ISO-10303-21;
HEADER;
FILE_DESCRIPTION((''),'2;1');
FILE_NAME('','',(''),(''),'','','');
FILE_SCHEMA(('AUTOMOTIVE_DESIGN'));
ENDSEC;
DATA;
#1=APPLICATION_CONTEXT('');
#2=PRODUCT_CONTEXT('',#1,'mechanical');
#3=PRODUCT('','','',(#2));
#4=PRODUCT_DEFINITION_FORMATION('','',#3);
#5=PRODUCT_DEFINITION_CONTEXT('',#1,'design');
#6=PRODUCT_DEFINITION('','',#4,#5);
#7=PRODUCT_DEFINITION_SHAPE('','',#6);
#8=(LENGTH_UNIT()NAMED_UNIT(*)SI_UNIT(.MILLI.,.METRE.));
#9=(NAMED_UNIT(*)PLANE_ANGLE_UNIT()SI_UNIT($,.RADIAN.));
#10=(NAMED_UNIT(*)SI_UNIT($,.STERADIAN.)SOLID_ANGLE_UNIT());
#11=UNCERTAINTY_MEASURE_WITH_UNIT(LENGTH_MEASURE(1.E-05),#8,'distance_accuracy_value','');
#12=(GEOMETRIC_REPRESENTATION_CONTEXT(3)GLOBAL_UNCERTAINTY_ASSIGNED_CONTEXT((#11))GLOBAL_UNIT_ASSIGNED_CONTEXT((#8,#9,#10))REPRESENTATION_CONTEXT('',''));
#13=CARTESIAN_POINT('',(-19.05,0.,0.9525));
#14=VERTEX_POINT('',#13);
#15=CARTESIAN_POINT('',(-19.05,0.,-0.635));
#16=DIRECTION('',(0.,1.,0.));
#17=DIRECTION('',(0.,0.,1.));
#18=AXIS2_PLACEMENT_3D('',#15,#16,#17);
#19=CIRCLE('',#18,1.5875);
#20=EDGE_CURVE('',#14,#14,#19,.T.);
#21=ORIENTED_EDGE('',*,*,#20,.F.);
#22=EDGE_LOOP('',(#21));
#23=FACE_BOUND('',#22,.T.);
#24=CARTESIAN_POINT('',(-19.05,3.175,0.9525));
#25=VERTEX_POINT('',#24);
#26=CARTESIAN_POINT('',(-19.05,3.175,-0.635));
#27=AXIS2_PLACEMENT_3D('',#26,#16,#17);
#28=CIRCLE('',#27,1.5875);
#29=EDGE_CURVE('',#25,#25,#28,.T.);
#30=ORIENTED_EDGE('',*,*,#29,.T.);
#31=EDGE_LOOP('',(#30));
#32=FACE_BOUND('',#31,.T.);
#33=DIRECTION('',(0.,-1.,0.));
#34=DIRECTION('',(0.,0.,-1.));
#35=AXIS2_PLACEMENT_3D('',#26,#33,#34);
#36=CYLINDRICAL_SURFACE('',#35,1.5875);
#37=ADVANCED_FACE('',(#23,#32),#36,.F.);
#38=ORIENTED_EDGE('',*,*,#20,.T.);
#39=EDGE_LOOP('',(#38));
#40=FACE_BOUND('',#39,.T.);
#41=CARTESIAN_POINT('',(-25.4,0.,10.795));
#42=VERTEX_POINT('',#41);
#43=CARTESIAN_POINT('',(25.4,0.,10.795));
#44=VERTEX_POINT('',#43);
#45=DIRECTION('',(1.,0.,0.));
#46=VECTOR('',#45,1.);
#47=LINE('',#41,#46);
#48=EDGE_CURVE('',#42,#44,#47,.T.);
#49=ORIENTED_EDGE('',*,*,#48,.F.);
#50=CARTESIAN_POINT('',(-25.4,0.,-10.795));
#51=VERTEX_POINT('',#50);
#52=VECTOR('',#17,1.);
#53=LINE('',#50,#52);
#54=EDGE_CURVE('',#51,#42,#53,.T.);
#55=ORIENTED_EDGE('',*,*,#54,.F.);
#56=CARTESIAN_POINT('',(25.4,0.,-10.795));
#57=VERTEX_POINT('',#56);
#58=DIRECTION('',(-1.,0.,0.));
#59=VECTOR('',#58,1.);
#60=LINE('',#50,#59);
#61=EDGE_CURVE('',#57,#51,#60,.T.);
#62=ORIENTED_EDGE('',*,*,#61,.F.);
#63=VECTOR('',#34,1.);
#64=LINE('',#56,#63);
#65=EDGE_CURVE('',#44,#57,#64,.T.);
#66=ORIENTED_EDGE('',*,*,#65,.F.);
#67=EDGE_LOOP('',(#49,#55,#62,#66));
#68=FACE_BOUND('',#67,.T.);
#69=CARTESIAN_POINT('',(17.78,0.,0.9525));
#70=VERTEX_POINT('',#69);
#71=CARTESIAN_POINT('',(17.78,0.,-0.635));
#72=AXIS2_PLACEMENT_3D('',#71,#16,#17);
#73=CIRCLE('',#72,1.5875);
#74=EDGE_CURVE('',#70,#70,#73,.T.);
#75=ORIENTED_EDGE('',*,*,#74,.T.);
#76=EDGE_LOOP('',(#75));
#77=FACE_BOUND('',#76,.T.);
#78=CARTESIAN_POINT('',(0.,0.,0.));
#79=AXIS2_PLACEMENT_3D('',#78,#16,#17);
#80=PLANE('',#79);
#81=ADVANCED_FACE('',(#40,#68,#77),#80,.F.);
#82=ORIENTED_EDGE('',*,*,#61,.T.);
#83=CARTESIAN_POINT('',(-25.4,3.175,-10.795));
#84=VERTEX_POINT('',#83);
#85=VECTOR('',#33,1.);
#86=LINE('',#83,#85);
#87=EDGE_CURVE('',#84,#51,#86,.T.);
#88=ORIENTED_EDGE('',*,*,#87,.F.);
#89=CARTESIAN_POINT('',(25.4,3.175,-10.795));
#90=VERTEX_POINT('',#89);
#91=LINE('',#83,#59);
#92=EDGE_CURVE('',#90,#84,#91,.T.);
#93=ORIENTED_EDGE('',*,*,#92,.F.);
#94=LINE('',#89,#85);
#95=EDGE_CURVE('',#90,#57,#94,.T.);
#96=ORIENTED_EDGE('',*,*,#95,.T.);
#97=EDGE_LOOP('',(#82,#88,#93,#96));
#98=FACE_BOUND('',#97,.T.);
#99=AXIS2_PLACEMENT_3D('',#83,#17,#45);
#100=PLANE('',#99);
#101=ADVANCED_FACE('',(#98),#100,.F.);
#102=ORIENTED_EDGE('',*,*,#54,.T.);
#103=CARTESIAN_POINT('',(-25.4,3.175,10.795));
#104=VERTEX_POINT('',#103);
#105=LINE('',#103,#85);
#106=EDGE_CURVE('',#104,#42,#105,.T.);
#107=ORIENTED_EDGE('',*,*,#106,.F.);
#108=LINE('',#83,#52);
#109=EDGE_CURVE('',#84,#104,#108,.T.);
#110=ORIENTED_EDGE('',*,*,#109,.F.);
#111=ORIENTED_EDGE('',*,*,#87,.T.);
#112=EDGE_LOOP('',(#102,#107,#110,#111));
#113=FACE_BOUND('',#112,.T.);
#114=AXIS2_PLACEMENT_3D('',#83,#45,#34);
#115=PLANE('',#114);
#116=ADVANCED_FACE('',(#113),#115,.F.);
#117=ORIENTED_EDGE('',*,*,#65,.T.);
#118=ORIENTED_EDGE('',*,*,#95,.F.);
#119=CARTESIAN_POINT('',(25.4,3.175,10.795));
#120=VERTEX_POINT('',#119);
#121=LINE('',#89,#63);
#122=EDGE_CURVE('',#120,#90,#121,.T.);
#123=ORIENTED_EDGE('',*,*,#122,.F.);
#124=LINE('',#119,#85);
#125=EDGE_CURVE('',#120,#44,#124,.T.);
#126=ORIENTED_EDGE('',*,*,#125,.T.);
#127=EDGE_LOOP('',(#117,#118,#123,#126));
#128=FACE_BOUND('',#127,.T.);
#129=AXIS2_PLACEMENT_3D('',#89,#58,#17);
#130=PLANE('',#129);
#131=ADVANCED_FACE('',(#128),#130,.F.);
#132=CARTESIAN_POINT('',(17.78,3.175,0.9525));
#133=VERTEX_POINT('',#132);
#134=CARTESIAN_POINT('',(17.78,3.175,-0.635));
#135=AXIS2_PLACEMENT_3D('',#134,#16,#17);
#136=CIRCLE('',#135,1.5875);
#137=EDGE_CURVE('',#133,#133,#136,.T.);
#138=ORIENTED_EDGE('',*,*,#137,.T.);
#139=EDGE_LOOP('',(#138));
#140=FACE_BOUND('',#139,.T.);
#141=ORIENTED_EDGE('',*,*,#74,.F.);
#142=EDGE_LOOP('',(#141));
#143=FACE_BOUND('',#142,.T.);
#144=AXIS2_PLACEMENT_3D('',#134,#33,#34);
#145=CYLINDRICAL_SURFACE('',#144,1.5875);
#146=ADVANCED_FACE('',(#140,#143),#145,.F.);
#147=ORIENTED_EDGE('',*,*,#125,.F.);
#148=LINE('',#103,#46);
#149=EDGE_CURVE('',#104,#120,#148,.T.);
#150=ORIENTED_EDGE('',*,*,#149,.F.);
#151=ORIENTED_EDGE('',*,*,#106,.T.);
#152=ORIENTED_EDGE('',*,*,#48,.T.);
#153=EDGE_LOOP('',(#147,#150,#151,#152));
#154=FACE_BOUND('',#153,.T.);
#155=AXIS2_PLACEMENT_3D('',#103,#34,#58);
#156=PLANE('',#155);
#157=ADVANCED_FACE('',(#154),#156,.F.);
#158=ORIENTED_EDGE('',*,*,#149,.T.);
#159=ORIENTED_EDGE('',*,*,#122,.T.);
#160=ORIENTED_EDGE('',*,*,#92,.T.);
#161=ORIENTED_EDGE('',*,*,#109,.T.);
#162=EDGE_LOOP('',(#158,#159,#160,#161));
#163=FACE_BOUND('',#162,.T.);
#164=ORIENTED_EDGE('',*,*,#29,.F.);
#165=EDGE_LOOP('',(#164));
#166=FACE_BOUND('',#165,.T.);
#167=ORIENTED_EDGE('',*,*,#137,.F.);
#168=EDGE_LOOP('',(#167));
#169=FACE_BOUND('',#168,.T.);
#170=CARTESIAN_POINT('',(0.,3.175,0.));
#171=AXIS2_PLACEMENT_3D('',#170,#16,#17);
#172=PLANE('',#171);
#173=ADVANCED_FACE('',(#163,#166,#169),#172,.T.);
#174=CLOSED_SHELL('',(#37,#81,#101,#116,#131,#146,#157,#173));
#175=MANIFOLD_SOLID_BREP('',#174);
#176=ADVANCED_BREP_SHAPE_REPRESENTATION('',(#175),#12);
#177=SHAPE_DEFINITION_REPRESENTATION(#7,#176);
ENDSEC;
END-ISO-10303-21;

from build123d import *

# Parameters (mm, degrees)
SKETCH1_W           = 50.8
SKETCH1_H           = 21.59
SKETCH1_R           = 1.5875
BOSS_EXTRUDE1_DEPTH = 3.175


with BuildPart() as part:
    # Sketch1 → Boss-Extrude1 (new body)
    with BuildSketch(Plane(origin=(0, 0, 0), x_dir=(1, 0, 0), z_dir=(0, 1, 0))):
        Rectangle(SKETCH1_W, SKETCH1_H)
        with Locations(Location((-19.05, 0.635, 0), (0, 0, 270))):
            Circle(SKETCH1_R, mode=Mode.SUBTRACT)
        with Locations(Location((17.78, 0.635, 0), (0, 0, 270))):
            Circle(SKETCH1_R, mode=Mode.SUBTRACT)
    extrude(amount=BOSS_EXTRUDE1_DEPTH)


solid = part.part
